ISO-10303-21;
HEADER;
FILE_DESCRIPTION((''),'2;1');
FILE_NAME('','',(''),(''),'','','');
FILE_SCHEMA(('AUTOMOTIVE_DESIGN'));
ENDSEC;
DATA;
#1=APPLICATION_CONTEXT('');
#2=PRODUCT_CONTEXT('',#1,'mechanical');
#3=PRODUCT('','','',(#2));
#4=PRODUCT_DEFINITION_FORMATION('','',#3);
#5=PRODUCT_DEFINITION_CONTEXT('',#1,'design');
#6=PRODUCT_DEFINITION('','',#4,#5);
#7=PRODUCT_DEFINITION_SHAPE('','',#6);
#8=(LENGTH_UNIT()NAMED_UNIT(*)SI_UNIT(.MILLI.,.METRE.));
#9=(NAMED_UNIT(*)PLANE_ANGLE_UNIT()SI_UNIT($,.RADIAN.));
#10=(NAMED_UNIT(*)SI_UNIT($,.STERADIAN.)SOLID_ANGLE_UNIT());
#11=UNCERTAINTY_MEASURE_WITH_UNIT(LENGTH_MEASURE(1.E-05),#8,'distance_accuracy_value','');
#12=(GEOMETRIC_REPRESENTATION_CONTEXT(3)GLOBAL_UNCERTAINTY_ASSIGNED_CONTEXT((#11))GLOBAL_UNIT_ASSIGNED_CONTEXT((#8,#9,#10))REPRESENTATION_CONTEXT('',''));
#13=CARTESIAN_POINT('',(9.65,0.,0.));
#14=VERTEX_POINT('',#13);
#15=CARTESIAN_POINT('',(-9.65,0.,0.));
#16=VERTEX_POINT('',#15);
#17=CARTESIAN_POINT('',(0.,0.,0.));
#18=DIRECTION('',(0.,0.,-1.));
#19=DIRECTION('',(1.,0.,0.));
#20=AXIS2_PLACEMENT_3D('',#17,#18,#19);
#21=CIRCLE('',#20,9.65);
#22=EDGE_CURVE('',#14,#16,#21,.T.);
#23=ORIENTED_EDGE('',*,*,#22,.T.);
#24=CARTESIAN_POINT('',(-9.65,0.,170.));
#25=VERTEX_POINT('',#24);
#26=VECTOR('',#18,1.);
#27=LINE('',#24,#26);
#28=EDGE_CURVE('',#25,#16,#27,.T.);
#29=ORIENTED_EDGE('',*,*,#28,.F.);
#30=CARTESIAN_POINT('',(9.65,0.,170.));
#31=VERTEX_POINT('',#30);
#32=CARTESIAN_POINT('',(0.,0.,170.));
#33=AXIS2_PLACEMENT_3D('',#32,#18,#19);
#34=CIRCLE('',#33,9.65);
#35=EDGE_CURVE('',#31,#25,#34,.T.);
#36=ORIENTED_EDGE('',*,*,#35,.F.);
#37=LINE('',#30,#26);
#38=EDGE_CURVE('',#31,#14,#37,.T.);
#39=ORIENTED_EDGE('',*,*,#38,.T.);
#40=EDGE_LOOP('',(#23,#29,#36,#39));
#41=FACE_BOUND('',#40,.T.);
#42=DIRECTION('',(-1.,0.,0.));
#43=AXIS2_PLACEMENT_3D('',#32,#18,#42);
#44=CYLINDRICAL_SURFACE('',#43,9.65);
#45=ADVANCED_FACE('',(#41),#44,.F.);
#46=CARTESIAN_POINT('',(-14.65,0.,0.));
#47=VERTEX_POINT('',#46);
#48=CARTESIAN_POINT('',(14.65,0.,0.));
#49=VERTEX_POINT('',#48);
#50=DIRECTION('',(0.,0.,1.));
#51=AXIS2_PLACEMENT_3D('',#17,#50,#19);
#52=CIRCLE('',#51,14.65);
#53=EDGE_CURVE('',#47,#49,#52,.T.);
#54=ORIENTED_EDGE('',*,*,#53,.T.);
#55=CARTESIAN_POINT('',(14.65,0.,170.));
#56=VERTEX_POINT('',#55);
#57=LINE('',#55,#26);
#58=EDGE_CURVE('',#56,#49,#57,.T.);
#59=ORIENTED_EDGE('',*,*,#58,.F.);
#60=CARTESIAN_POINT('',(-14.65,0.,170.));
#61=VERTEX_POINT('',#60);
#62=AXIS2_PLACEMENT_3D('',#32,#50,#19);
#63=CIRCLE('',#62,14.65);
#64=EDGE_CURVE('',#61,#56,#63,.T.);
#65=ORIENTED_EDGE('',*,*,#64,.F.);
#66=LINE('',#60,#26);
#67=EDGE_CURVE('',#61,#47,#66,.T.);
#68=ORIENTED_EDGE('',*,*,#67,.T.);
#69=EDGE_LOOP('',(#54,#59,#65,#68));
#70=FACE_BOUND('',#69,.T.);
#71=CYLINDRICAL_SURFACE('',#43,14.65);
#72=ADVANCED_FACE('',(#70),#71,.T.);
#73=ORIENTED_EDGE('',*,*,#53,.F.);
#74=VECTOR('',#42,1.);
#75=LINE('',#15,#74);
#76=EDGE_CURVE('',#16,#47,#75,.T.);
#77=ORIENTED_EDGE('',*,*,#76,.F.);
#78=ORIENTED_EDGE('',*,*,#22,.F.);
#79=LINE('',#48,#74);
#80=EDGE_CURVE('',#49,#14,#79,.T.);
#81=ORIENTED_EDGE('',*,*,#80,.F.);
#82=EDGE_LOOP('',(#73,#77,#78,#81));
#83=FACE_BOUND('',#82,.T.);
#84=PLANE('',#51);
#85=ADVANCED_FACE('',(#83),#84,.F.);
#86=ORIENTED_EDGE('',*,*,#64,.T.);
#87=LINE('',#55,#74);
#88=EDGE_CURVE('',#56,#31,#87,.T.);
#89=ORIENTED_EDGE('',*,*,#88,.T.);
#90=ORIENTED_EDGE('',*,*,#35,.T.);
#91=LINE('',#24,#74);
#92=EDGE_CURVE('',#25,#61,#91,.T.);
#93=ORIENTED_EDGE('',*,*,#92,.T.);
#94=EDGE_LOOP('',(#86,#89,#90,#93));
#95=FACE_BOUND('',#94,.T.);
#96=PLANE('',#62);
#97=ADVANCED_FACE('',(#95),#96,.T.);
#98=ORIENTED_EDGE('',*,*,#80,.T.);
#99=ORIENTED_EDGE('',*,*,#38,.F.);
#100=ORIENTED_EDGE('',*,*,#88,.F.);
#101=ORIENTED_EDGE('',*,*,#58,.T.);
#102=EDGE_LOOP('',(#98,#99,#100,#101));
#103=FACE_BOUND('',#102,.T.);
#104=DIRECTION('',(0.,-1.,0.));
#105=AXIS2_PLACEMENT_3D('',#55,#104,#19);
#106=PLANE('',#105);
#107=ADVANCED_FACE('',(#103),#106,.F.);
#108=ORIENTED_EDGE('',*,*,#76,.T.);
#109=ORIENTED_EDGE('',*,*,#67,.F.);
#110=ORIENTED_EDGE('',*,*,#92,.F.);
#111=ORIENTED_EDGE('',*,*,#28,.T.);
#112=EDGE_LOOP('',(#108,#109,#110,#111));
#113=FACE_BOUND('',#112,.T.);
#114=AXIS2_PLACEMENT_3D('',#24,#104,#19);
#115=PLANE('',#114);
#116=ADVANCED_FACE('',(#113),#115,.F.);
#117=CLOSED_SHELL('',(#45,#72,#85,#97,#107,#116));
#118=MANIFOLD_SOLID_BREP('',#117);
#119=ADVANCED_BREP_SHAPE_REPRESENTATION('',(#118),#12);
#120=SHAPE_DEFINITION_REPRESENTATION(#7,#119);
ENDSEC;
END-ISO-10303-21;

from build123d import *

# Parameters (mm, degrees)
BOSS_EXTRUDE1_DEPTH = 170


with BuildPart() as part:
    # Sketch1 → Boss-Extrude1 (new body)
    with BuildSketch(Plane.XY):
        with BuildLine():
            Line((14.65, 0), (9.65, 0))
            ThreePointArc((9.65, 0), (0, -9.65), (-9.65, 0))
            Line((-9.65, 0), (-14.65, 0))
            ThreePointArc((-14.65, 0), (0, -14.65), (14.65, 0))
        make_face()
    extrude(amount=BOSS_EXTRUDE1_DEPTH)


solid = part.part
